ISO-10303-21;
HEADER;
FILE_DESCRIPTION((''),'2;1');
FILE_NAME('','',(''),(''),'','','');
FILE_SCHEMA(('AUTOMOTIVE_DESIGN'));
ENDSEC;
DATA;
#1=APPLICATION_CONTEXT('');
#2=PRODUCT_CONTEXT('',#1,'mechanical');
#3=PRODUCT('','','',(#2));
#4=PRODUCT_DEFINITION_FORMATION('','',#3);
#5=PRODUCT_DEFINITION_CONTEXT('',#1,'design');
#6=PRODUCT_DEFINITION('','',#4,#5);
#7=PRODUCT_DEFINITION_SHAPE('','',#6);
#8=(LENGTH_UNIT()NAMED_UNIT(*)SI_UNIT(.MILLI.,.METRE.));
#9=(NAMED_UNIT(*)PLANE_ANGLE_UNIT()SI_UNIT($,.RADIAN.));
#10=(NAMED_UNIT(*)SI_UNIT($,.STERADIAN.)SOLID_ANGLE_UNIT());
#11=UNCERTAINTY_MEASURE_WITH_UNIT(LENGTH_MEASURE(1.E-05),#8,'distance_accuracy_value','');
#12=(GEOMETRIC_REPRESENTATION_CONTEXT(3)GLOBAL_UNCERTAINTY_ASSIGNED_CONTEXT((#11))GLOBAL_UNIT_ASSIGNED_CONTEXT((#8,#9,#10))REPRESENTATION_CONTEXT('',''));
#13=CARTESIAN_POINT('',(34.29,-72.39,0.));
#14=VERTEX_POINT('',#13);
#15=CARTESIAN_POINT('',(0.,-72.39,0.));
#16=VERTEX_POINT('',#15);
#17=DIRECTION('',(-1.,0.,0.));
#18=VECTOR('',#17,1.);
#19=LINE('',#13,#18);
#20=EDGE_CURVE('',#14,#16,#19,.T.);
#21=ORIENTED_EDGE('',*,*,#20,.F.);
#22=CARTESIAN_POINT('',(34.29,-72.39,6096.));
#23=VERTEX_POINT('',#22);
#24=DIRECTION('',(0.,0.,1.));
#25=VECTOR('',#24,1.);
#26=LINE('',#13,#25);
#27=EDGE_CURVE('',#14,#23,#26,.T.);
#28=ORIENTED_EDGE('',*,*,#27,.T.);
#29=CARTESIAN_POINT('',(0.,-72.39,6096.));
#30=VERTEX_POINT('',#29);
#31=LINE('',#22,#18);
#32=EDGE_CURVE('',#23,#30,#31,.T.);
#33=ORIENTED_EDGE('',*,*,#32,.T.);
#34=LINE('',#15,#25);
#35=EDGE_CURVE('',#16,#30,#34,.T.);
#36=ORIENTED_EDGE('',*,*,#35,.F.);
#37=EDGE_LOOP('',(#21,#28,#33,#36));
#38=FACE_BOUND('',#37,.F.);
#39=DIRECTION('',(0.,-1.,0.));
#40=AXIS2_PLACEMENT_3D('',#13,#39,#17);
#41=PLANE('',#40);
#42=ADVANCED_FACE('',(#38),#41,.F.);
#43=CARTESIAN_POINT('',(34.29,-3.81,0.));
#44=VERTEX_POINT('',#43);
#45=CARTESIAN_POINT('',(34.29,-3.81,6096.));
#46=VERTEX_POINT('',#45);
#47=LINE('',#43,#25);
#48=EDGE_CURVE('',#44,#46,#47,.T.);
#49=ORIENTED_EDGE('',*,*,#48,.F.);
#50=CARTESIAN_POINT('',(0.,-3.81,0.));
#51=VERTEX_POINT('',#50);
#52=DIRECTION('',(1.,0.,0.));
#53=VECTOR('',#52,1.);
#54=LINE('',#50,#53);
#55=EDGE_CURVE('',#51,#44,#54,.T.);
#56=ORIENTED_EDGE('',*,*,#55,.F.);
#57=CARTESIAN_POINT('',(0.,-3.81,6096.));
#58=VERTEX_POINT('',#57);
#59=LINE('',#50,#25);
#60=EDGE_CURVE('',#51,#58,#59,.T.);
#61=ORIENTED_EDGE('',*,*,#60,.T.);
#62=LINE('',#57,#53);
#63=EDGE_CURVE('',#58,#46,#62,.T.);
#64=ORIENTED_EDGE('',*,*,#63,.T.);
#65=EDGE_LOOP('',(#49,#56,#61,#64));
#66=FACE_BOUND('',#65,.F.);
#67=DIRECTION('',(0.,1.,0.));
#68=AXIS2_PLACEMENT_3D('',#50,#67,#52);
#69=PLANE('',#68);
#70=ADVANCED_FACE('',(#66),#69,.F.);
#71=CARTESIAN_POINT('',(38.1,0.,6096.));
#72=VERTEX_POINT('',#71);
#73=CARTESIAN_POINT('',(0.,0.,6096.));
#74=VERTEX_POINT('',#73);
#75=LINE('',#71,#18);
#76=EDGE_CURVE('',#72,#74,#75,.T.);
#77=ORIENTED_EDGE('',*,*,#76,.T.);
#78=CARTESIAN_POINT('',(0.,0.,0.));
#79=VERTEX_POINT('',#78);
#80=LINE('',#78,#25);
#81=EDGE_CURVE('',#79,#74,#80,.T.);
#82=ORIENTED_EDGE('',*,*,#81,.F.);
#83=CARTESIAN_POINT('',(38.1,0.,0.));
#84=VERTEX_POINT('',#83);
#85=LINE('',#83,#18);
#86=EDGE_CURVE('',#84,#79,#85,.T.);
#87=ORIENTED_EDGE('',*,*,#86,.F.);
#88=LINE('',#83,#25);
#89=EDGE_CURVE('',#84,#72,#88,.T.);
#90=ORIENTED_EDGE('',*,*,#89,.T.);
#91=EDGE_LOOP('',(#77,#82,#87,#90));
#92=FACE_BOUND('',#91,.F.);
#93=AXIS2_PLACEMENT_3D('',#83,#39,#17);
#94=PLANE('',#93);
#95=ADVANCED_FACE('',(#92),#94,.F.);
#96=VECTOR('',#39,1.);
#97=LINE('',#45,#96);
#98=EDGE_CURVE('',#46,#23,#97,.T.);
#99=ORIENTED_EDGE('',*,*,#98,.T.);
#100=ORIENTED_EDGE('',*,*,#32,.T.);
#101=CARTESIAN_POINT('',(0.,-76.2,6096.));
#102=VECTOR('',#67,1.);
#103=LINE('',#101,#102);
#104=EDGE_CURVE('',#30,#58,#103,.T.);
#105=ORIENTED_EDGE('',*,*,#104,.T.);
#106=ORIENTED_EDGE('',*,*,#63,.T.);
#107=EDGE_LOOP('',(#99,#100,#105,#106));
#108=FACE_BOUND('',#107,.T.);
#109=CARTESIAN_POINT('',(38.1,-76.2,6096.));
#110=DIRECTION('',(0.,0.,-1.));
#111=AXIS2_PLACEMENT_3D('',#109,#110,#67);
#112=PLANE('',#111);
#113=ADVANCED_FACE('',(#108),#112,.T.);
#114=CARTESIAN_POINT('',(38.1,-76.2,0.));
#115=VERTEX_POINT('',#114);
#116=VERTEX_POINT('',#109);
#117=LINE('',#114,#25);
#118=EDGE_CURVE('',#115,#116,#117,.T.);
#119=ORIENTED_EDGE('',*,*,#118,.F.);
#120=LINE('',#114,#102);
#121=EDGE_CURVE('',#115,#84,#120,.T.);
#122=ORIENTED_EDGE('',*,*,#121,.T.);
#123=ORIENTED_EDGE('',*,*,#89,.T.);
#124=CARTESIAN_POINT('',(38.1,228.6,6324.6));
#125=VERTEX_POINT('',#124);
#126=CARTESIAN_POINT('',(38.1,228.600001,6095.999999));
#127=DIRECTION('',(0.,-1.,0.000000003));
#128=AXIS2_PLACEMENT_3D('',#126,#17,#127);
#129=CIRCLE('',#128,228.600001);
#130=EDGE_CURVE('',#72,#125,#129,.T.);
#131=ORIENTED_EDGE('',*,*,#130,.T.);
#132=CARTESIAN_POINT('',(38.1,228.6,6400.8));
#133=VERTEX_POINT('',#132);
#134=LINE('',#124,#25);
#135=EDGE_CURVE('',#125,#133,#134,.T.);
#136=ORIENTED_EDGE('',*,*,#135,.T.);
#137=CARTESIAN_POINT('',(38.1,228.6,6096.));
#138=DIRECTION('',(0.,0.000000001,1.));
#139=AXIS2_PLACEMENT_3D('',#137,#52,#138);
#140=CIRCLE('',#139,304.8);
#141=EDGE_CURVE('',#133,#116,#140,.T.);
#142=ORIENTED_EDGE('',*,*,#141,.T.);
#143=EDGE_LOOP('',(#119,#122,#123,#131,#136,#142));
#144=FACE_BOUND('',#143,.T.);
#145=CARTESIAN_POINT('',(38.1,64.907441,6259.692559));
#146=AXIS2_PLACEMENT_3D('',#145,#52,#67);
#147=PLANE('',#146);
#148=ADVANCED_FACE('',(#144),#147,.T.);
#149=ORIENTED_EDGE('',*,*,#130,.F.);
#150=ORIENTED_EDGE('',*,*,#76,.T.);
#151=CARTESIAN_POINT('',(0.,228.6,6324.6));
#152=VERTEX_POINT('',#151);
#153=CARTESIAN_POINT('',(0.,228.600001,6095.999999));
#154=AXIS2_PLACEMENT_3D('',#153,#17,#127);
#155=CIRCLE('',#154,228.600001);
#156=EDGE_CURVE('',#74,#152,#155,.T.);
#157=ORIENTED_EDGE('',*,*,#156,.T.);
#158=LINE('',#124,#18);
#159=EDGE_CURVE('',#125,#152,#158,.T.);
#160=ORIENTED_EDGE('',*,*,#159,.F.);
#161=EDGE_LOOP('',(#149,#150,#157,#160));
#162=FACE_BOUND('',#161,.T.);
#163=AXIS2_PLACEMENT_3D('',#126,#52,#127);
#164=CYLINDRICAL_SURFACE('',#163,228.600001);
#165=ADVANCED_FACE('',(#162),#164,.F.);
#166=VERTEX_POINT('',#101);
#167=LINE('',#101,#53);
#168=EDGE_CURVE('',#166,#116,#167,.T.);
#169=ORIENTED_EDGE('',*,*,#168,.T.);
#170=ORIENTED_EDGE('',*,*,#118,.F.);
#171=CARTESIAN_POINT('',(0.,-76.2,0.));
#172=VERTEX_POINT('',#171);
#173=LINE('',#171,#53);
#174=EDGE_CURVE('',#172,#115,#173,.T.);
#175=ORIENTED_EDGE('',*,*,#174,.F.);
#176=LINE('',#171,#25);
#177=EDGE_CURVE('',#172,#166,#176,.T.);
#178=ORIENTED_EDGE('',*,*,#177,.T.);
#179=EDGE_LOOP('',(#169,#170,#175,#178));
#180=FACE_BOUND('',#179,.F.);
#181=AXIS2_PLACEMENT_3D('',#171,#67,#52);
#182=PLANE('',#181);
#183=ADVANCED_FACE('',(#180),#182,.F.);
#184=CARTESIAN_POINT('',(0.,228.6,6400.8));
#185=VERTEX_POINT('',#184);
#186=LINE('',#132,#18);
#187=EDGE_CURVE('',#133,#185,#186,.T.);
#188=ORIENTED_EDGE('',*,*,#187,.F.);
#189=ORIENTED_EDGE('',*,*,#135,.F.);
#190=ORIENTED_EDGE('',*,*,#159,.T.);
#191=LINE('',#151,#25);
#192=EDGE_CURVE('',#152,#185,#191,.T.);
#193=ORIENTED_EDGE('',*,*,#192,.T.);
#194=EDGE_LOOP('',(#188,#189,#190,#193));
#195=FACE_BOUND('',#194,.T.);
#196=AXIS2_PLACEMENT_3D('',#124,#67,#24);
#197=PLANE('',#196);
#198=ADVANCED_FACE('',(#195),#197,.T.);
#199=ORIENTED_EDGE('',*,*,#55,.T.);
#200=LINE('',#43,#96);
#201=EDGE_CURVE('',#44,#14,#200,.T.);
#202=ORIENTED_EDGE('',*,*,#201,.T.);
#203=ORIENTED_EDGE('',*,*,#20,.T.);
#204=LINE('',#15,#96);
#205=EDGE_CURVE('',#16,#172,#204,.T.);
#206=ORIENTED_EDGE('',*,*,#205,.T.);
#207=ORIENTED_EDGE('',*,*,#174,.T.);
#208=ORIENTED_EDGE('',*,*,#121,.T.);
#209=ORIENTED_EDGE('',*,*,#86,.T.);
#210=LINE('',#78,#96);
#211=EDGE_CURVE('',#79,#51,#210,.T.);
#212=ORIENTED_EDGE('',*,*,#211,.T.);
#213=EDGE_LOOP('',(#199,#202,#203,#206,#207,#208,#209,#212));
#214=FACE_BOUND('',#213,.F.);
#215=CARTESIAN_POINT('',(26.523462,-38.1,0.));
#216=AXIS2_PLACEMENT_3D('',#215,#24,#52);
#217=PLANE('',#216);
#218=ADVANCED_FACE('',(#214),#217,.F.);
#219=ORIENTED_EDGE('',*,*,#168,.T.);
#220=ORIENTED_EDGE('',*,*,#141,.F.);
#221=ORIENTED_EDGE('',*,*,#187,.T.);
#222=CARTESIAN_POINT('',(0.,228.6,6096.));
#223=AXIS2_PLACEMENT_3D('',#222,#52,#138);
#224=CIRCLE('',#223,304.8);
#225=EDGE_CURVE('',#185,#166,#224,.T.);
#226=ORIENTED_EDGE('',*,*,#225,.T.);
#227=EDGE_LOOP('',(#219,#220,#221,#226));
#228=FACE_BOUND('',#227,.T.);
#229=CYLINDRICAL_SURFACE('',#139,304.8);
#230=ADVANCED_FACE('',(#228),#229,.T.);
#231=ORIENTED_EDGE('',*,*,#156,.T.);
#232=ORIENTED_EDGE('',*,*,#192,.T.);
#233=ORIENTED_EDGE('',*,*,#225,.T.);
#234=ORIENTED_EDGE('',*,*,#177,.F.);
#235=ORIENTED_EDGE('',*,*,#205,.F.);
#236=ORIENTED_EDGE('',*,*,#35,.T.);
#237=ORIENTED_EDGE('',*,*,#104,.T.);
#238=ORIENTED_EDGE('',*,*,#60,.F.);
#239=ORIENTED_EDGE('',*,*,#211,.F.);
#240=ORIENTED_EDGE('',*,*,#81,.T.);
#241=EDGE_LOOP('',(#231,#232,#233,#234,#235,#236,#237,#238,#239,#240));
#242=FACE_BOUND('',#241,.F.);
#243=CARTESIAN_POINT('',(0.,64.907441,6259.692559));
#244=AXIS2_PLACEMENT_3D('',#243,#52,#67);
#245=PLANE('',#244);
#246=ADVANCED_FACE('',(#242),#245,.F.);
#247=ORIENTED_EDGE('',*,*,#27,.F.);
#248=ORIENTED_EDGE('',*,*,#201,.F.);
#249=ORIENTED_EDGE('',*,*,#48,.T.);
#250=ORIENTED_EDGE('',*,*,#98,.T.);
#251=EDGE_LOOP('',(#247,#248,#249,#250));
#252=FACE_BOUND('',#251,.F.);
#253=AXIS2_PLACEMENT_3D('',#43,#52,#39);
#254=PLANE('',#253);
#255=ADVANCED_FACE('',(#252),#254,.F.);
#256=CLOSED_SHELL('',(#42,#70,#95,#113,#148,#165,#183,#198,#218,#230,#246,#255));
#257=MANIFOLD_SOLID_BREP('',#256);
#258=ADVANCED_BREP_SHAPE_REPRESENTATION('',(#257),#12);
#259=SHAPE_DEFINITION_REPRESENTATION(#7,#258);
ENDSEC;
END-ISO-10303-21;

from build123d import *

# Parameters (mm, degrees)
F1_DEPTH = 6096
F3_DEPTH = 38.1


with BuildPart() as f1:
    # F0 (on Top) → F1 (new body)
    with BuildSketch(Plane.XY):
        Polygon((38.1, 0), (0, 0), (0, -3.81), (34.29, -3.81), (34.29, -72.39), (0, -72.39), (0, -76.2), (38.1, -76.2), align=None)
    extrude(amount=F1_DEPTH)

    # F2 (on face) → F3 (join)
    with BuildSketch(Plane.YZ.offset(38.1)):
        with BuildLine():
            ThreePointArc((228.6, 6400.8), (13.073853, 6311.526147), (-76.2, 6096))
            Line((-76.2, 6096), (0, 6096))
            ThreePointArc((0, 6096), (66.95539, 6257.64461), (228.6, 6324.6))
            Line((228.6, 6324.6), (228.6, 6400.8))
        make_face()
    extrude(amount=-F3_DEPTH)


solid = f1.part
